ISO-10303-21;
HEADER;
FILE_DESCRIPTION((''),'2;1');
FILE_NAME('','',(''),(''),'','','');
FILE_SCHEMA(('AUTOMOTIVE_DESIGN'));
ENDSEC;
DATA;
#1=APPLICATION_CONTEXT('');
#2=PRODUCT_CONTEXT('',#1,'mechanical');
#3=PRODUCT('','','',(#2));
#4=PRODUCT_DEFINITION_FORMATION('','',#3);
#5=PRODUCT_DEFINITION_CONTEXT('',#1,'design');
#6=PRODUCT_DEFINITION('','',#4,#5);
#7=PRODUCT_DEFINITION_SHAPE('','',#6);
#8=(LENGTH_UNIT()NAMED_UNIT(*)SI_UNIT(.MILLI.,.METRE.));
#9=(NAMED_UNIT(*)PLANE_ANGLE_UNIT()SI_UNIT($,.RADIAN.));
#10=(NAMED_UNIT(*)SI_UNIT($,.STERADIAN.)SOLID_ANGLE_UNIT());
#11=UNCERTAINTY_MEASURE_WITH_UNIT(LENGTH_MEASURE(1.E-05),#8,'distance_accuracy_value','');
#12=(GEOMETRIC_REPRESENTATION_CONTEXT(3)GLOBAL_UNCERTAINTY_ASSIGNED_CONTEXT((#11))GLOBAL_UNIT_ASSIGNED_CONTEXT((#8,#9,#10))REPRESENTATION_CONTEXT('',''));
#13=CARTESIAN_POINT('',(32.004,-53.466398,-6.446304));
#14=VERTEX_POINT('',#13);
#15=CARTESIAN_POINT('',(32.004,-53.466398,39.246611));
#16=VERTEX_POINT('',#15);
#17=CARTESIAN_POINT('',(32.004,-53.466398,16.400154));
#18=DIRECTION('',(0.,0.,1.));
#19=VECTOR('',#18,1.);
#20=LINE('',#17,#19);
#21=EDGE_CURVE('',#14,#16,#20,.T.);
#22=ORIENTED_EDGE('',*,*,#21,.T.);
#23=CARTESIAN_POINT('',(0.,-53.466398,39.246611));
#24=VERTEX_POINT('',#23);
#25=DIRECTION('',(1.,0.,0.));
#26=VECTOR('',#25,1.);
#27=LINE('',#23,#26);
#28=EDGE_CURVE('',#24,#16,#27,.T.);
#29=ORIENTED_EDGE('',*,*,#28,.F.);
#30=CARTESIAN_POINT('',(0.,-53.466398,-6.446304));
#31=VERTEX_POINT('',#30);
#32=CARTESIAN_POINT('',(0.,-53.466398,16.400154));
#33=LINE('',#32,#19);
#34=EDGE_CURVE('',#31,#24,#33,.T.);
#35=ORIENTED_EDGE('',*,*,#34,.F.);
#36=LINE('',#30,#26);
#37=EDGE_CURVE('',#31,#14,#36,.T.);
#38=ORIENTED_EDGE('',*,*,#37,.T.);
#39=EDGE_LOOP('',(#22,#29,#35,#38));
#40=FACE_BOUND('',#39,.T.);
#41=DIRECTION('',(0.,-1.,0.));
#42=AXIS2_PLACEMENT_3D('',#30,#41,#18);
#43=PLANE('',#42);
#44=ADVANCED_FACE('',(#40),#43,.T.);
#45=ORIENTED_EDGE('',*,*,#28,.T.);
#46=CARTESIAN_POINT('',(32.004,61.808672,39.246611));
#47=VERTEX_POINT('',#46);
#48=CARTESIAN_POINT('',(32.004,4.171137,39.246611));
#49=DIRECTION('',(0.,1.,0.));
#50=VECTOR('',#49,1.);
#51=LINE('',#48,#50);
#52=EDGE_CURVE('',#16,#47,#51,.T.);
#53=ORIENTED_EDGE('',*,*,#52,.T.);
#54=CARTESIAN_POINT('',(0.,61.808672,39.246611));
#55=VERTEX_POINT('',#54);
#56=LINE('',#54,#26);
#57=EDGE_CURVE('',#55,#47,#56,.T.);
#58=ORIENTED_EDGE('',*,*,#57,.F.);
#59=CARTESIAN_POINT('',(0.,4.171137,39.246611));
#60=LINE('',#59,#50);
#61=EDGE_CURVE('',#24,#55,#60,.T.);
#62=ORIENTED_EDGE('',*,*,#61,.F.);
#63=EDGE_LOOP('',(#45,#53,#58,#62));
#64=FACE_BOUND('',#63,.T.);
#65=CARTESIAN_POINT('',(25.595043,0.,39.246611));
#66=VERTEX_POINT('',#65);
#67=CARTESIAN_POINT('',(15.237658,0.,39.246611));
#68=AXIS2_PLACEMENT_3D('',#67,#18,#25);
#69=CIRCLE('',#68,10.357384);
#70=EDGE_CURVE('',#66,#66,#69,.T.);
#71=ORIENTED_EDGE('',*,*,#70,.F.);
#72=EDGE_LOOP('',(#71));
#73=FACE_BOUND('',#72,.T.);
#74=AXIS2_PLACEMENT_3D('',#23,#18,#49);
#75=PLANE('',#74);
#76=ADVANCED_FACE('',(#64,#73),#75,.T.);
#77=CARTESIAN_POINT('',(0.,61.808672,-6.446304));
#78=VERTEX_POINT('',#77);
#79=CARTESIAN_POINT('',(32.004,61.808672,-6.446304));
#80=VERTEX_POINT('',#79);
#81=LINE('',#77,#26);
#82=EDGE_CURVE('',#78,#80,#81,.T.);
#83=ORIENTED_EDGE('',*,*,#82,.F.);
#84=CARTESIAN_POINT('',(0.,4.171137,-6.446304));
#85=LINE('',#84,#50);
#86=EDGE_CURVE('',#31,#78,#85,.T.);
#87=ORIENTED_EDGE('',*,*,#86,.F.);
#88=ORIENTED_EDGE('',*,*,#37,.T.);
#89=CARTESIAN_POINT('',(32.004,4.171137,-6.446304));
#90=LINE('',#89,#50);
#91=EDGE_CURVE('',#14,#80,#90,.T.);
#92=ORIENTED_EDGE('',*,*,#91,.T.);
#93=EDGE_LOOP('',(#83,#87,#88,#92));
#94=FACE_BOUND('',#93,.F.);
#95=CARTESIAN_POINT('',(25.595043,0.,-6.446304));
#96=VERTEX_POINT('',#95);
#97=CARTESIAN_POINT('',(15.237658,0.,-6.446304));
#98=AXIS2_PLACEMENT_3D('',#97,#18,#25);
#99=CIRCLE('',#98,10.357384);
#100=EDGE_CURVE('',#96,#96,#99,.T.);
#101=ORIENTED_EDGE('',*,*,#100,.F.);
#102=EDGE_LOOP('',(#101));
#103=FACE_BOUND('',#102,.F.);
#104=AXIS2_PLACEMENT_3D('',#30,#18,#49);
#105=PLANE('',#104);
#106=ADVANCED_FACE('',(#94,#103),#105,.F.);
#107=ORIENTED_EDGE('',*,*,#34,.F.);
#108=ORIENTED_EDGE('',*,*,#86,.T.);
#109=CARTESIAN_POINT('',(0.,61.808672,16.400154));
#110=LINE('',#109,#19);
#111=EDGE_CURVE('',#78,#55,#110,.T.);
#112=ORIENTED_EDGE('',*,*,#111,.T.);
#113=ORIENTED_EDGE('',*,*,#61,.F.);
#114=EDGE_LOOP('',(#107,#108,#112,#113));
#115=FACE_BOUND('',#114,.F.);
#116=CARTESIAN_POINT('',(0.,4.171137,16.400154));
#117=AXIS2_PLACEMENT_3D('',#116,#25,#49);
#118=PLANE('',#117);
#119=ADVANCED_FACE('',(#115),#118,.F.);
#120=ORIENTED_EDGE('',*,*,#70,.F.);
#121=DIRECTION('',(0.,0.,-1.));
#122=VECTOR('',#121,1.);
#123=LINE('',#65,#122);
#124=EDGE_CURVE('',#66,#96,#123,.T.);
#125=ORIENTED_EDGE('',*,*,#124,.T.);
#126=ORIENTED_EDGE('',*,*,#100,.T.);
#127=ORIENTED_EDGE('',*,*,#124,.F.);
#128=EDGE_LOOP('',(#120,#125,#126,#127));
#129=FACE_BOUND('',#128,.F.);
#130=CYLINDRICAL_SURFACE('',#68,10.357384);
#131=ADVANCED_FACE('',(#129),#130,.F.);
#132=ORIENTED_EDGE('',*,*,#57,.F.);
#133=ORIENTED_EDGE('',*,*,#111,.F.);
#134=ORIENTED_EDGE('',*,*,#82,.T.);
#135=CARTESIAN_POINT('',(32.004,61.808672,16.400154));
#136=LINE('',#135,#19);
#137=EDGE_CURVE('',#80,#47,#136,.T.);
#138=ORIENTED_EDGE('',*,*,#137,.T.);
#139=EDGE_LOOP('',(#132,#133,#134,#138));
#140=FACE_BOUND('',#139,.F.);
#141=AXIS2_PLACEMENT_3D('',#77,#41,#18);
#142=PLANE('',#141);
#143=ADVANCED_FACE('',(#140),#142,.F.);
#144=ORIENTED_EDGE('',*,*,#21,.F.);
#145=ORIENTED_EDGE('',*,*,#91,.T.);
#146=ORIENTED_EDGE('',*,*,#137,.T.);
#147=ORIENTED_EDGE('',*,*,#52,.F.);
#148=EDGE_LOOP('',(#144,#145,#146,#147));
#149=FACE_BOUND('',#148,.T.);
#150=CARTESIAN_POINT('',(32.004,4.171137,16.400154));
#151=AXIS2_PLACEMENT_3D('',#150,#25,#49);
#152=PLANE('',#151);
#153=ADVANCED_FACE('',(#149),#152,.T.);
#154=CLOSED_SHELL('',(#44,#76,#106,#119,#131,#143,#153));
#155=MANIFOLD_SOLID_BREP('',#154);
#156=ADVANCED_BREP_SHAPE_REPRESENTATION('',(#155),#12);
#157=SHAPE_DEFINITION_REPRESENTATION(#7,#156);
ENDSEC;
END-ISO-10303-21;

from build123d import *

# Parameters (mm, degrees)
F0_W     = 115.2750700712
F0_H     = 45.6929150969
F1_DEPTH = 32.004
F2_R     = 10.3573843819
F3_DEPTH = 45.6929150969


with BuildPart() as f1:
    # F0 (on Right) → F1 (new body)
    with BuildSketch(Plane.YZ):
        with Locations((4.1711367667, 16.4001537487)):
            Rectangle(F0_W, F0_H)
    extrude(amount=F1_DEPTH)

    # F2 (on face) → F3 (cut, through all)
    with BuildSketch(Plane.XY.offset(39.2466112971)):
        with Locations((15.2376582846, 0)):
            Circle(F2_R)
    extrude(amount=-F3_DEPTH, mode=Mode.SUBTRACT)


solid = f1.part
